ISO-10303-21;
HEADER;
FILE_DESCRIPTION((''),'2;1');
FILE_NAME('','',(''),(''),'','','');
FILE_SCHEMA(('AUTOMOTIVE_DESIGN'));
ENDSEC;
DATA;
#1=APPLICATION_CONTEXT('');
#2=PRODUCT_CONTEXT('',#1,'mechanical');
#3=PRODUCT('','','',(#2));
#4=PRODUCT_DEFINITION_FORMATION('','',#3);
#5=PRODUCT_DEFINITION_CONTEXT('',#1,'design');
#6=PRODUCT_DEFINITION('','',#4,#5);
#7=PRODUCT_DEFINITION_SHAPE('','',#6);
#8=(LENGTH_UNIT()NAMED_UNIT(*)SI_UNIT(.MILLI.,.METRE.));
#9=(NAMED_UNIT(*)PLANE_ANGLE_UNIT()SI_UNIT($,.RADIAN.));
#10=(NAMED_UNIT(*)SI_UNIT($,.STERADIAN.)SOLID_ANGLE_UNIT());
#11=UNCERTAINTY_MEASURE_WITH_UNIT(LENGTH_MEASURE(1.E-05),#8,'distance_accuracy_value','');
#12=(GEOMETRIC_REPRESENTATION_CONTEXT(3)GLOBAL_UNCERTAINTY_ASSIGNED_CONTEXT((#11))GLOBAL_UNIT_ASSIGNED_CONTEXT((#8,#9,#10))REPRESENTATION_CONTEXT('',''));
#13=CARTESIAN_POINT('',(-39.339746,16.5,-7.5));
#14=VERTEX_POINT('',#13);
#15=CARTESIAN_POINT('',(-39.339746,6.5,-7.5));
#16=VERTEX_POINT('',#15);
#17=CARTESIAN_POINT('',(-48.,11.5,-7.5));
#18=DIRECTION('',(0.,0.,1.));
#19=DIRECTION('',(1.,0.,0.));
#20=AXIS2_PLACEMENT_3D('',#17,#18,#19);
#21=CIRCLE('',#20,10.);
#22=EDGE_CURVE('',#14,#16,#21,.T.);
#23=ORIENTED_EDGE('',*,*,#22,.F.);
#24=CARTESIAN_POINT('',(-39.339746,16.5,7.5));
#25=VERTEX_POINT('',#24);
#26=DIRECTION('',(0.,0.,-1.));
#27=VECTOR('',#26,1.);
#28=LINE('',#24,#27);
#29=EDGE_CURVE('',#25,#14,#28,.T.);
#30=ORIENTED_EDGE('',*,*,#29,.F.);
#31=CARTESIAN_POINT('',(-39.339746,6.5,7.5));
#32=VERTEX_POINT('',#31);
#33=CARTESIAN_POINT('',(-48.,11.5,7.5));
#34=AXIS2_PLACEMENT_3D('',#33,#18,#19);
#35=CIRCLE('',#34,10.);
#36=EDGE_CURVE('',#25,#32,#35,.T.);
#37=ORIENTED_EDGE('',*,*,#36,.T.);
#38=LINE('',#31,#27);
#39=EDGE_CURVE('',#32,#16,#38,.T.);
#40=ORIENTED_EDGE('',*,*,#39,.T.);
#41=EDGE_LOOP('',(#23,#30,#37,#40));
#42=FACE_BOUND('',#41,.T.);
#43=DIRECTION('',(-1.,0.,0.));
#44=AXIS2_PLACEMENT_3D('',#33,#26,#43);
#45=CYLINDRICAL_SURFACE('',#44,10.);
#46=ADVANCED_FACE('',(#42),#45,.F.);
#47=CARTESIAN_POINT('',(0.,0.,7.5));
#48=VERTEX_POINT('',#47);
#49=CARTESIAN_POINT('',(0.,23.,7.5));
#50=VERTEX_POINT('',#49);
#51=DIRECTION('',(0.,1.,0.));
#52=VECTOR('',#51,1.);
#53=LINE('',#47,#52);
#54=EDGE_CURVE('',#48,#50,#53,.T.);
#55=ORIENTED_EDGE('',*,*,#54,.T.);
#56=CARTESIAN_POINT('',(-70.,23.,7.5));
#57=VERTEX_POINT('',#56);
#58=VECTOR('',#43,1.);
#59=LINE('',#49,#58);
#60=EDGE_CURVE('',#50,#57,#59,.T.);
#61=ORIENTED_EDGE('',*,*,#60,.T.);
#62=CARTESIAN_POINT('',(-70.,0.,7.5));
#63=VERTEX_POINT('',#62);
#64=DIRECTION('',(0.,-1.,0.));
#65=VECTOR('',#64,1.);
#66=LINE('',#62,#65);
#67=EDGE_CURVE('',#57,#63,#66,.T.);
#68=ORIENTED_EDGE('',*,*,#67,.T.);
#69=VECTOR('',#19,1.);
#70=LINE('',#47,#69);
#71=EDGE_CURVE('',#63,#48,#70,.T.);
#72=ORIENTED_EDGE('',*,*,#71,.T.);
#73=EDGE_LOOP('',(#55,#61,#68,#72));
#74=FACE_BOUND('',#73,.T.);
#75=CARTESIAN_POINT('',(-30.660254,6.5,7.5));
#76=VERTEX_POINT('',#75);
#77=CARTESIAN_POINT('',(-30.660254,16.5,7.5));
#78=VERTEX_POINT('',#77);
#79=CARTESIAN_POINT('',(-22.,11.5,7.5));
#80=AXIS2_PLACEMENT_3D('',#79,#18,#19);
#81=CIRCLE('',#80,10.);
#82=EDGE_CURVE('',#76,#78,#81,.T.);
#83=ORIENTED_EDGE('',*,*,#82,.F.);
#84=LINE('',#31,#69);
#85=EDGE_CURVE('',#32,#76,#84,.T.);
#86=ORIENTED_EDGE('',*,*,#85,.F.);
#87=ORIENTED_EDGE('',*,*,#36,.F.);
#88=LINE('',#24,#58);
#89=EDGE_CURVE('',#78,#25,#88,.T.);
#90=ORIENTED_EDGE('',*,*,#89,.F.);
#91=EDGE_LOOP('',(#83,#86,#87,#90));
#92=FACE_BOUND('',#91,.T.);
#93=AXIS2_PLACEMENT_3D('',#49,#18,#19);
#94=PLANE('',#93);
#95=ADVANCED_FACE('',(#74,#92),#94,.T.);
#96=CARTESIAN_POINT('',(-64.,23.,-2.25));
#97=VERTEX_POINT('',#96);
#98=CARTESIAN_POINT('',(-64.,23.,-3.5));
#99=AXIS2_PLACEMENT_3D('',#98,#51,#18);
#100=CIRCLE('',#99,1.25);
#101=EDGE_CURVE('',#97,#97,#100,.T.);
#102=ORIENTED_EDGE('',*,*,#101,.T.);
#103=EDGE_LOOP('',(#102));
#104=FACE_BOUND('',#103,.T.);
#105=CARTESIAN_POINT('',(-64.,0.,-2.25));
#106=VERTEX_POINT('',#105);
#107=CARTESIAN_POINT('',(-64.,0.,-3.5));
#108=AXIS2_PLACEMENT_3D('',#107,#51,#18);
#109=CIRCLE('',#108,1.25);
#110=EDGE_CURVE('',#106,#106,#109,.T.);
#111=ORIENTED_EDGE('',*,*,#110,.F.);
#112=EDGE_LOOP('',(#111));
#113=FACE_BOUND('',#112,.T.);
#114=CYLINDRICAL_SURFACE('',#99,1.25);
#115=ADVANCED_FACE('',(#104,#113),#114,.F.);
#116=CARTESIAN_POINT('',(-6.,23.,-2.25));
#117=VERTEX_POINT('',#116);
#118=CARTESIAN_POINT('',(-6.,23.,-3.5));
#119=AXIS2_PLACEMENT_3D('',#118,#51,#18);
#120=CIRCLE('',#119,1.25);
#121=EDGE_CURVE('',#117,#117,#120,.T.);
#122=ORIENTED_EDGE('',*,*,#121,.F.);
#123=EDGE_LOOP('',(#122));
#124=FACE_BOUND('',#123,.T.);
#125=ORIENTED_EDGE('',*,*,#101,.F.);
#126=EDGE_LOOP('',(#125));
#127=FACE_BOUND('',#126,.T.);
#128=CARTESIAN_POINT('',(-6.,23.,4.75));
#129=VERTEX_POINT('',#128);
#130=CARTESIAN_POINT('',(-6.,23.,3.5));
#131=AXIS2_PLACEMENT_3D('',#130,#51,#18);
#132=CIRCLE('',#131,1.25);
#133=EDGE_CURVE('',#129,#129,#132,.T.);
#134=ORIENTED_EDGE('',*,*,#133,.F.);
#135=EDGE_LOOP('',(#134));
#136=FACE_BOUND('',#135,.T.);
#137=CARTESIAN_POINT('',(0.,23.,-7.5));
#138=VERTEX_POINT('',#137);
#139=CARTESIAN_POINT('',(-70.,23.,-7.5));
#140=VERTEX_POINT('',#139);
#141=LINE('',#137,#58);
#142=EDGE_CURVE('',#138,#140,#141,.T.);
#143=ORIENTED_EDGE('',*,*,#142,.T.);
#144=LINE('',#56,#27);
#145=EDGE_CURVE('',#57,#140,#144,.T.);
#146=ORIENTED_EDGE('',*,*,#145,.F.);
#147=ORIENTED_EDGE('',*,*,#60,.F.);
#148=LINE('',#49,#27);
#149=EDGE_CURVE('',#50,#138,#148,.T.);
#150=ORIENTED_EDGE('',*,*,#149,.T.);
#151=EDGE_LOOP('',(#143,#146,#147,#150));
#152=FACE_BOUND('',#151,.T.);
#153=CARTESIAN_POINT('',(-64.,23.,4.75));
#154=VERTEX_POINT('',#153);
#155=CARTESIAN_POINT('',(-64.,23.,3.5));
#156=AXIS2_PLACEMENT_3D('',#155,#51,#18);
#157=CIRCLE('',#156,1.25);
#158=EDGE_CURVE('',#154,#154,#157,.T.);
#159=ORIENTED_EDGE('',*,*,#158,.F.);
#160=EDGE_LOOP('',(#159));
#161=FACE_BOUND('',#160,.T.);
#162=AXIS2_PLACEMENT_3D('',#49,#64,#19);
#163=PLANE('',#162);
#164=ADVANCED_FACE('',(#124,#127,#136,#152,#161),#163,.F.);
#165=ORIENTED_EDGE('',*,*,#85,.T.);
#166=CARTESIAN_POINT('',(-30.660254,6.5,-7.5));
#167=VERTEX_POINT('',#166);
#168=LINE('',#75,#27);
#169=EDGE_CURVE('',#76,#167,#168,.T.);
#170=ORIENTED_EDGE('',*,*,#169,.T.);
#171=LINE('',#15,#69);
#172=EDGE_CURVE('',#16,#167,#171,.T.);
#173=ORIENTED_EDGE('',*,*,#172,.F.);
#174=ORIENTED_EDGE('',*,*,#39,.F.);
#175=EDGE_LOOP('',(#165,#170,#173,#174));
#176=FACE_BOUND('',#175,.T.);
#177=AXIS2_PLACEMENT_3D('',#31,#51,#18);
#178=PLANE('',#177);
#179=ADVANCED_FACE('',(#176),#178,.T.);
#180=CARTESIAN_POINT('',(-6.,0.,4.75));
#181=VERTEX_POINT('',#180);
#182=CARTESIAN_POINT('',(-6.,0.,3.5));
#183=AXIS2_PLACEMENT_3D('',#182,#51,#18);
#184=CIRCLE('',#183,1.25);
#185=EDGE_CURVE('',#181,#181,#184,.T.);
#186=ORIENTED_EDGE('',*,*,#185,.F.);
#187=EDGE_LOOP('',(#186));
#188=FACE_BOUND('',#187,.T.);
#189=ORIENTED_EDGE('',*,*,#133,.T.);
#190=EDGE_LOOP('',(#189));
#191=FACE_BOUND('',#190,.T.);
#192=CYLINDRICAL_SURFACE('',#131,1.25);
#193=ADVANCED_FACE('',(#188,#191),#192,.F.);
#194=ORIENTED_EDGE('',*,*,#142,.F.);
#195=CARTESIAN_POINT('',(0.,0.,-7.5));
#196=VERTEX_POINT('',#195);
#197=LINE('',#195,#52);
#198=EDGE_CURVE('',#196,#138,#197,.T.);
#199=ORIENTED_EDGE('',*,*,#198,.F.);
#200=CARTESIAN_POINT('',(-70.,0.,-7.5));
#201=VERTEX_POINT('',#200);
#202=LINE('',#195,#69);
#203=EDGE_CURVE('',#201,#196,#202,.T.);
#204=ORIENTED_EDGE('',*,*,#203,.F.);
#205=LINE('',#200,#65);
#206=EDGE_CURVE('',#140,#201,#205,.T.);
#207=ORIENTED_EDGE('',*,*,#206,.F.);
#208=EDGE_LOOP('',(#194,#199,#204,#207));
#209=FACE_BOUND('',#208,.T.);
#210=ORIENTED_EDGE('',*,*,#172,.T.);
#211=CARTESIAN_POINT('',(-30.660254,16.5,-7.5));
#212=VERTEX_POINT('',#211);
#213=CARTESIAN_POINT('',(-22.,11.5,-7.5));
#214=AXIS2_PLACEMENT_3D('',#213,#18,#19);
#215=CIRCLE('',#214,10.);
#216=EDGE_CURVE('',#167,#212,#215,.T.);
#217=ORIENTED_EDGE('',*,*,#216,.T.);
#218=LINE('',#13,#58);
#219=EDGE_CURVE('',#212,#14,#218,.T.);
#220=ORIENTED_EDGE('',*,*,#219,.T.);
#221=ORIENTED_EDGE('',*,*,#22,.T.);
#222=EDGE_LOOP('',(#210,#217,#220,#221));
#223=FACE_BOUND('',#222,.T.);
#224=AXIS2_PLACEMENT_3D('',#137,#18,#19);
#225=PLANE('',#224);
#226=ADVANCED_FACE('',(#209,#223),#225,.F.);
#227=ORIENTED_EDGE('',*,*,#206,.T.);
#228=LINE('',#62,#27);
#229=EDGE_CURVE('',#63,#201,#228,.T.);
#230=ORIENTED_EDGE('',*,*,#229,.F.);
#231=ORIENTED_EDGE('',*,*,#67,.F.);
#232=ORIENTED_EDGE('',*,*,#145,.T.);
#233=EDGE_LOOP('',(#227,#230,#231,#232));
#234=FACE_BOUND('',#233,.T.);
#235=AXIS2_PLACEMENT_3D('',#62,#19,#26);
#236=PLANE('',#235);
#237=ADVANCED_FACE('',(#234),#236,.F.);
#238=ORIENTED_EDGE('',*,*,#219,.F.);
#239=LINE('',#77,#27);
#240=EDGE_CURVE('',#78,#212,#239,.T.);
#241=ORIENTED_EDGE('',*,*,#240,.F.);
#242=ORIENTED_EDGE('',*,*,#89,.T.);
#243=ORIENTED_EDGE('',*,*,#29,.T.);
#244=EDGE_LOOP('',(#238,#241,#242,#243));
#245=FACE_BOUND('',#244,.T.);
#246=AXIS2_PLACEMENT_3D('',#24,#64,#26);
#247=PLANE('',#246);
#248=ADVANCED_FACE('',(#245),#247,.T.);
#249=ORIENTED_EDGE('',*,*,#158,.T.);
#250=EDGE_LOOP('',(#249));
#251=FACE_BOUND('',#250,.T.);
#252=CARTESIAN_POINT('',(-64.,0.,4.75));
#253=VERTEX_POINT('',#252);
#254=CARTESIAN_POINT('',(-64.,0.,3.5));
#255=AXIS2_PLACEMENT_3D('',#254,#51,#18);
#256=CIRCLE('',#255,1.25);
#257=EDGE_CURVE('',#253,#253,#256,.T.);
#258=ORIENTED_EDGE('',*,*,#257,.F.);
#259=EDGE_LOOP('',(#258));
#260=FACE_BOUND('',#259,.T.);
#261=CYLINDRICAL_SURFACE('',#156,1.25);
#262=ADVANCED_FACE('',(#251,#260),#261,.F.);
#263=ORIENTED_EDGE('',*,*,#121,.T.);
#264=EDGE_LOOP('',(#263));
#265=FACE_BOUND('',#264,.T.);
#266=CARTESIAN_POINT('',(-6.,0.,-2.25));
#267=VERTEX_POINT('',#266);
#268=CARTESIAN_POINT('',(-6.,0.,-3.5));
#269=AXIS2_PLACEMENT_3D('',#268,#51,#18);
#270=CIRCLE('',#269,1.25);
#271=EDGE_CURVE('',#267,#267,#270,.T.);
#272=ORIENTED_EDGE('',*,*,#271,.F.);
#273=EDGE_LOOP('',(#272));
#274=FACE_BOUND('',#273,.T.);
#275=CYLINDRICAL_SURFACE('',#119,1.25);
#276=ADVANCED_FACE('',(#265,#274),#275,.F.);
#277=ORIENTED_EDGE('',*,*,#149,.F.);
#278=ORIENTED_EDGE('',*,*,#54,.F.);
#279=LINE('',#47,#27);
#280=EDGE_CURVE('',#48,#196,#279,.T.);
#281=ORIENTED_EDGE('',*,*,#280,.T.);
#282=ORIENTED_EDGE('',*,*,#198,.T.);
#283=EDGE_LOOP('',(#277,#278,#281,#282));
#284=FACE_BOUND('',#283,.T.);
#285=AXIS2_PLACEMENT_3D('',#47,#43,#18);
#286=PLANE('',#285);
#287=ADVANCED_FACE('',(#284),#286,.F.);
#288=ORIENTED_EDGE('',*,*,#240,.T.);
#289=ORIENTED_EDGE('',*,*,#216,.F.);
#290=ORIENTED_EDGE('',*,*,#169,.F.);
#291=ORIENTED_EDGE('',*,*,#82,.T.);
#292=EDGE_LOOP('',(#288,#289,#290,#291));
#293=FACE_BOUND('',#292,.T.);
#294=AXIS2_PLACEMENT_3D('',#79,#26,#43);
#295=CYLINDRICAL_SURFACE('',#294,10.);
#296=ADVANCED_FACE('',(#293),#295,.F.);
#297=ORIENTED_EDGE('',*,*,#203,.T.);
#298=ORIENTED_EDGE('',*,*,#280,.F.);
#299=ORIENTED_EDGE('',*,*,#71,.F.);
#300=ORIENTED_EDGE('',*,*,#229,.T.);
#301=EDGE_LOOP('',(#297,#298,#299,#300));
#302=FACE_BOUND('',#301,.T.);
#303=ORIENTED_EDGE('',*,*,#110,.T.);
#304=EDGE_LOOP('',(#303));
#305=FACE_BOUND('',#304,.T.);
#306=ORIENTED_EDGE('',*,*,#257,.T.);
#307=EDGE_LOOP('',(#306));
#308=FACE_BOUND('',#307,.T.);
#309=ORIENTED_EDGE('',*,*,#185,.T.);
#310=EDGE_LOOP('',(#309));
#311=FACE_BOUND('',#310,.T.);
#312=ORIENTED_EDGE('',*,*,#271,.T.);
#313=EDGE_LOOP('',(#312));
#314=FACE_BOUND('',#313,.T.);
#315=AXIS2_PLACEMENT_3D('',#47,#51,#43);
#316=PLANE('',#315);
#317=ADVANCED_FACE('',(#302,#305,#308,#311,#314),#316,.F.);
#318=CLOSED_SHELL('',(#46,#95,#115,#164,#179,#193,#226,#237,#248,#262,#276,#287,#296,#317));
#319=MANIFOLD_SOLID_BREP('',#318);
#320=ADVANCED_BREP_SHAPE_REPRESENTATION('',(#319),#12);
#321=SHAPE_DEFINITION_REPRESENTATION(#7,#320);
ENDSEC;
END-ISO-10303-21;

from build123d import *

# Parameters (mm, degrees)
ESQUISSE1_W           = 70
ESQUISSE1_H           = 23
EXTRUSION1_DEPTH      = 7.5
TROU_TARAUD_M3X0_51_D = 2.5


with BuildPart() as part:
    # Esquisse1 → Extrusion1 (new body, symmetric)
    with BuildSketch(Plane.XY):
        with Locations((-35, 11.5)):
            Rectangle(ESQUISSE1_W, ESQUISSE1_H)
        with BuildLine():
            Line((-39.339745962, 16.5), (-30.660254038, 16.5))
            ThreePointArc((-30.660254038, 16.5), (-12, 11.5), (-30.660254038, 6.5))
            Line((-30.660254038, 6.5), (-39.339745962, 6.5))
            ThreePointArc((-39.339745962, 6.5), (-58, 11.5), (-39.339745962, 16.5))
        make_face(mode=Mode.SUBTRACT)
    extrude(amount=EXTRUSION1_DEPTH, both=True)

    # Trou taraudé M3x0.51 (through all)
    with Locations(Plane(origin=(-64, 23, -3.5), x_dir=(1, 0, 0), z_dir=(0, 1, 0))):
        with Locations((0, 0), (0, -7), (58, 0), (58, -7)):
            Hole(TROU_TARAUD_M3X0_51_D / 2)


solid = part.part
